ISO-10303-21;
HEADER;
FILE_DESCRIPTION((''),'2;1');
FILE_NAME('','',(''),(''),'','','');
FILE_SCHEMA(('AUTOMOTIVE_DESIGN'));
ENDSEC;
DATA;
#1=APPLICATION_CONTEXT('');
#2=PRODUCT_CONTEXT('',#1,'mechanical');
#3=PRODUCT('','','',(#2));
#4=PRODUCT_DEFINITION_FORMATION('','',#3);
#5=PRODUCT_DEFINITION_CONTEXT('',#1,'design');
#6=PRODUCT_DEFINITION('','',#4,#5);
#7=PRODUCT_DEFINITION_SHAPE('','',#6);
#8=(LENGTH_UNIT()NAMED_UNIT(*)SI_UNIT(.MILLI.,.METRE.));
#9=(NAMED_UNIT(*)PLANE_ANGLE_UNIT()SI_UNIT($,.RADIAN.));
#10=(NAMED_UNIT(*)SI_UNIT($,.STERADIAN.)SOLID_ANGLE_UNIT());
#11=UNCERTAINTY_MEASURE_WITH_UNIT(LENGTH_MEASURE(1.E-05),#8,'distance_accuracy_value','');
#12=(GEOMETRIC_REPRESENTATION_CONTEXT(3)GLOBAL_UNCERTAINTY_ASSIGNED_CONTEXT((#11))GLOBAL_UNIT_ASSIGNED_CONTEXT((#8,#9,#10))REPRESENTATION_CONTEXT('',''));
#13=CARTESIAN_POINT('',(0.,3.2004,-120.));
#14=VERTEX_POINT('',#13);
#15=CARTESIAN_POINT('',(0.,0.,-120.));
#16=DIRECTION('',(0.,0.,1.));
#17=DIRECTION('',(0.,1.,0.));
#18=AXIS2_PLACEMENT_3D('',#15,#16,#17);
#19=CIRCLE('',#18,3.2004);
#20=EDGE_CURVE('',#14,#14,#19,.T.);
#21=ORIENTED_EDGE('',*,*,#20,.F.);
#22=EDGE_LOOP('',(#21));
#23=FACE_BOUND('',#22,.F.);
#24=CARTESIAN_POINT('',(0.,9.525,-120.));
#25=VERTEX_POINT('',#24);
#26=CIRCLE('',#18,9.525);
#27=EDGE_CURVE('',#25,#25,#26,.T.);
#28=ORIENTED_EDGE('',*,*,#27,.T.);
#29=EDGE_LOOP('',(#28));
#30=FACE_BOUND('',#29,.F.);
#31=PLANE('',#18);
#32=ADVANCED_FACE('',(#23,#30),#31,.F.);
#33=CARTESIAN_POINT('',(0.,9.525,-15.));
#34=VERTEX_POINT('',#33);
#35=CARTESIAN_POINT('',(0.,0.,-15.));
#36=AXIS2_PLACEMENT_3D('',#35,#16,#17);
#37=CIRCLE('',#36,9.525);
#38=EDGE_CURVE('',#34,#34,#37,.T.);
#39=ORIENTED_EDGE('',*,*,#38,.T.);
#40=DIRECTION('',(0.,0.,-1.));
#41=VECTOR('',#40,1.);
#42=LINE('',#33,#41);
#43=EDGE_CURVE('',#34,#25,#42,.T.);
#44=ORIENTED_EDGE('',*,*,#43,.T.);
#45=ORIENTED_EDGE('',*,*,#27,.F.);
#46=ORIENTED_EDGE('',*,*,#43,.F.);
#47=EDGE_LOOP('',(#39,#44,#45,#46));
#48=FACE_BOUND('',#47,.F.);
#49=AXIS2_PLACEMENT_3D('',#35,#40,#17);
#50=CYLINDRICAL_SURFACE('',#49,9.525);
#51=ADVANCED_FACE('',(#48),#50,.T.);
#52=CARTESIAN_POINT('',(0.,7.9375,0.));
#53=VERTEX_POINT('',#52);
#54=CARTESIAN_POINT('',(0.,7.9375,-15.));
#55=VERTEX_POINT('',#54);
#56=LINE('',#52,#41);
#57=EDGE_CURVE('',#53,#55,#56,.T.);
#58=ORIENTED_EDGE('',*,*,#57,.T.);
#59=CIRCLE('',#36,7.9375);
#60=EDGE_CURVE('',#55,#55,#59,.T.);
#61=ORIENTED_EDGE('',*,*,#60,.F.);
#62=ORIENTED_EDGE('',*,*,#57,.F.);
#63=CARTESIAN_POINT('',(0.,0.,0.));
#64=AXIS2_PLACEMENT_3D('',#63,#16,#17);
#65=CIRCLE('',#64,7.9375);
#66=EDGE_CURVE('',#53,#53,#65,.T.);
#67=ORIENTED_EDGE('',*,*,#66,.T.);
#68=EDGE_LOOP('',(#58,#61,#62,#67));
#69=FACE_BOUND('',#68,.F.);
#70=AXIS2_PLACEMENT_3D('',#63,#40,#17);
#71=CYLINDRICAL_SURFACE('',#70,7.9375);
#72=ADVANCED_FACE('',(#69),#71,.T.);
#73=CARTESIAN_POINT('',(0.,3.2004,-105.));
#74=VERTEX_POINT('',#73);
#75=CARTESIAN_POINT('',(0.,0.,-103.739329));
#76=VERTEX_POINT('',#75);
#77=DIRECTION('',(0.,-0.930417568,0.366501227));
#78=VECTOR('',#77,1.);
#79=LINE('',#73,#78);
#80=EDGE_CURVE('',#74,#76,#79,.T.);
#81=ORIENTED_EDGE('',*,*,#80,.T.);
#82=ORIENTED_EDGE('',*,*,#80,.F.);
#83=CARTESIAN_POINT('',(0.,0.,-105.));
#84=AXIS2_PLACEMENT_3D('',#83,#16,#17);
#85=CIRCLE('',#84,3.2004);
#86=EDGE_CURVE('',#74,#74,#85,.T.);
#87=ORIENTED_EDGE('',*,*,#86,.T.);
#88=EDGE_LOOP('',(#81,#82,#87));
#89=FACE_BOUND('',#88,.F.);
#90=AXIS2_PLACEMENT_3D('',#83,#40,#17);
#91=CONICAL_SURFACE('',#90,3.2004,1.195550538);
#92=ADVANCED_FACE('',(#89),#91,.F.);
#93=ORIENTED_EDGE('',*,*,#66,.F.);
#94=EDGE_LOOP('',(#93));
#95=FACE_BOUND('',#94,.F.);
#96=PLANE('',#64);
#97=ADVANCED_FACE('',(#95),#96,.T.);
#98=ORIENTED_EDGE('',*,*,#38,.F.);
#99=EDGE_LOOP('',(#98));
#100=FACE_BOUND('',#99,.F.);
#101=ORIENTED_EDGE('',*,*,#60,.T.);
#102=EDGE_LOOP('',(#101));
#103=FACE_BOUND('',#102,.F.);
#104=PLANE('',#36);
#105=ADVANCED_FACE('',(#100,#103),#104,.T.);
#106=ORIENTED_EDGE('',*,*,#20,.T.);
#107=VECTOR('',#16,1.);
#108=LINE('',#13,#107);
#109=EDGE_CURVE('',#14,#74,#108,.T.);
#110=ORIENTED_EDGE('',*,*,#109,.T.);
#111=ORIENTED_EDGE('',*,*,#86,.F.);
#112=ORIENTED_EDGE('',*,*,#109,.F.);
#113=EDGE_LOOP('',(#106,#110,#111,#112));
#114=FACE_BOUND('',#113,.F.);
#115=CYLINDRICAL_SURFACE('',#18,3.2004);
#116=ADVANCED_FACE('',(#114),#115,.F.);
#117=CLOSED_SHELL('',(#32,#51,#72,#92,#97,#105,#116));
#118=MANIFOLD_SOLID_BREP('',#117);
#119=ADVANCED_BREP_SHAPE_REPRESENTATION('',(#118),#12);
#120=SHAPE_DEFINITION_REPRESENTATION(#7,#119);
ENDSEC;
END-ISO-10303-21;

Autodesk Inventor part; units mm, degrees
ref_plane "YZ Plane" through (0, 0, 0) normal (1, 0, 0) x (0, 1, 0)
ref_plane "XZ Plane" through (0, 0, 0) normal (0, 1, 0) x (-1, 0, 0)
ref_plane "XY Plane" through (0, 0, 0) normal (0, 0, 1) x (1, 0, 0)
sketch "Sketch2" plane through (0, 0, 0) normal (1, 0, 0) x (0, 1, 0)
  line L0 (0, 0) -> (7.9375, 0)
  line L1 (7.9375, 0) -> (7.9375, -15)
  line L2 (7.9375, -15) -> (9.525, -15)
  line L3 (0, -120) -> (0, 0)
  line L4 (9.525, -15) -> (9.525, -120)
  line L5 (9.525, -120) -> (0, -120)
  dimension "d7" = 7.9375
  dimension "d8" = 15
  dimension "d9" = 1.5875
  dimension "d23" = 105
revolve "Revolution1" add sketch "Sketch2" angle 360 about axis through (0, 0, -120) along (0, 0, 1)
thread "Thread4" size "5/8-11 UNC" class "2A" standard "ANSI Unified Screw Threads" full length
sketch "Sketch4" plane through (0, 0, -120) normal (0, 0, -1) x (-1, 0, 0)
  point P0 (0, 0)
  point P1 (0, 0)
hole "Hole1" at (0, 0, -120) direction (0, 0, 1) diameter 6.4008 depth 15 tip angle 137 thread size "5/16-18 UNC" class "2B" standard "ANSI Unified Screw Threads"
properties part number "Eje roscado base soporte tubo"
